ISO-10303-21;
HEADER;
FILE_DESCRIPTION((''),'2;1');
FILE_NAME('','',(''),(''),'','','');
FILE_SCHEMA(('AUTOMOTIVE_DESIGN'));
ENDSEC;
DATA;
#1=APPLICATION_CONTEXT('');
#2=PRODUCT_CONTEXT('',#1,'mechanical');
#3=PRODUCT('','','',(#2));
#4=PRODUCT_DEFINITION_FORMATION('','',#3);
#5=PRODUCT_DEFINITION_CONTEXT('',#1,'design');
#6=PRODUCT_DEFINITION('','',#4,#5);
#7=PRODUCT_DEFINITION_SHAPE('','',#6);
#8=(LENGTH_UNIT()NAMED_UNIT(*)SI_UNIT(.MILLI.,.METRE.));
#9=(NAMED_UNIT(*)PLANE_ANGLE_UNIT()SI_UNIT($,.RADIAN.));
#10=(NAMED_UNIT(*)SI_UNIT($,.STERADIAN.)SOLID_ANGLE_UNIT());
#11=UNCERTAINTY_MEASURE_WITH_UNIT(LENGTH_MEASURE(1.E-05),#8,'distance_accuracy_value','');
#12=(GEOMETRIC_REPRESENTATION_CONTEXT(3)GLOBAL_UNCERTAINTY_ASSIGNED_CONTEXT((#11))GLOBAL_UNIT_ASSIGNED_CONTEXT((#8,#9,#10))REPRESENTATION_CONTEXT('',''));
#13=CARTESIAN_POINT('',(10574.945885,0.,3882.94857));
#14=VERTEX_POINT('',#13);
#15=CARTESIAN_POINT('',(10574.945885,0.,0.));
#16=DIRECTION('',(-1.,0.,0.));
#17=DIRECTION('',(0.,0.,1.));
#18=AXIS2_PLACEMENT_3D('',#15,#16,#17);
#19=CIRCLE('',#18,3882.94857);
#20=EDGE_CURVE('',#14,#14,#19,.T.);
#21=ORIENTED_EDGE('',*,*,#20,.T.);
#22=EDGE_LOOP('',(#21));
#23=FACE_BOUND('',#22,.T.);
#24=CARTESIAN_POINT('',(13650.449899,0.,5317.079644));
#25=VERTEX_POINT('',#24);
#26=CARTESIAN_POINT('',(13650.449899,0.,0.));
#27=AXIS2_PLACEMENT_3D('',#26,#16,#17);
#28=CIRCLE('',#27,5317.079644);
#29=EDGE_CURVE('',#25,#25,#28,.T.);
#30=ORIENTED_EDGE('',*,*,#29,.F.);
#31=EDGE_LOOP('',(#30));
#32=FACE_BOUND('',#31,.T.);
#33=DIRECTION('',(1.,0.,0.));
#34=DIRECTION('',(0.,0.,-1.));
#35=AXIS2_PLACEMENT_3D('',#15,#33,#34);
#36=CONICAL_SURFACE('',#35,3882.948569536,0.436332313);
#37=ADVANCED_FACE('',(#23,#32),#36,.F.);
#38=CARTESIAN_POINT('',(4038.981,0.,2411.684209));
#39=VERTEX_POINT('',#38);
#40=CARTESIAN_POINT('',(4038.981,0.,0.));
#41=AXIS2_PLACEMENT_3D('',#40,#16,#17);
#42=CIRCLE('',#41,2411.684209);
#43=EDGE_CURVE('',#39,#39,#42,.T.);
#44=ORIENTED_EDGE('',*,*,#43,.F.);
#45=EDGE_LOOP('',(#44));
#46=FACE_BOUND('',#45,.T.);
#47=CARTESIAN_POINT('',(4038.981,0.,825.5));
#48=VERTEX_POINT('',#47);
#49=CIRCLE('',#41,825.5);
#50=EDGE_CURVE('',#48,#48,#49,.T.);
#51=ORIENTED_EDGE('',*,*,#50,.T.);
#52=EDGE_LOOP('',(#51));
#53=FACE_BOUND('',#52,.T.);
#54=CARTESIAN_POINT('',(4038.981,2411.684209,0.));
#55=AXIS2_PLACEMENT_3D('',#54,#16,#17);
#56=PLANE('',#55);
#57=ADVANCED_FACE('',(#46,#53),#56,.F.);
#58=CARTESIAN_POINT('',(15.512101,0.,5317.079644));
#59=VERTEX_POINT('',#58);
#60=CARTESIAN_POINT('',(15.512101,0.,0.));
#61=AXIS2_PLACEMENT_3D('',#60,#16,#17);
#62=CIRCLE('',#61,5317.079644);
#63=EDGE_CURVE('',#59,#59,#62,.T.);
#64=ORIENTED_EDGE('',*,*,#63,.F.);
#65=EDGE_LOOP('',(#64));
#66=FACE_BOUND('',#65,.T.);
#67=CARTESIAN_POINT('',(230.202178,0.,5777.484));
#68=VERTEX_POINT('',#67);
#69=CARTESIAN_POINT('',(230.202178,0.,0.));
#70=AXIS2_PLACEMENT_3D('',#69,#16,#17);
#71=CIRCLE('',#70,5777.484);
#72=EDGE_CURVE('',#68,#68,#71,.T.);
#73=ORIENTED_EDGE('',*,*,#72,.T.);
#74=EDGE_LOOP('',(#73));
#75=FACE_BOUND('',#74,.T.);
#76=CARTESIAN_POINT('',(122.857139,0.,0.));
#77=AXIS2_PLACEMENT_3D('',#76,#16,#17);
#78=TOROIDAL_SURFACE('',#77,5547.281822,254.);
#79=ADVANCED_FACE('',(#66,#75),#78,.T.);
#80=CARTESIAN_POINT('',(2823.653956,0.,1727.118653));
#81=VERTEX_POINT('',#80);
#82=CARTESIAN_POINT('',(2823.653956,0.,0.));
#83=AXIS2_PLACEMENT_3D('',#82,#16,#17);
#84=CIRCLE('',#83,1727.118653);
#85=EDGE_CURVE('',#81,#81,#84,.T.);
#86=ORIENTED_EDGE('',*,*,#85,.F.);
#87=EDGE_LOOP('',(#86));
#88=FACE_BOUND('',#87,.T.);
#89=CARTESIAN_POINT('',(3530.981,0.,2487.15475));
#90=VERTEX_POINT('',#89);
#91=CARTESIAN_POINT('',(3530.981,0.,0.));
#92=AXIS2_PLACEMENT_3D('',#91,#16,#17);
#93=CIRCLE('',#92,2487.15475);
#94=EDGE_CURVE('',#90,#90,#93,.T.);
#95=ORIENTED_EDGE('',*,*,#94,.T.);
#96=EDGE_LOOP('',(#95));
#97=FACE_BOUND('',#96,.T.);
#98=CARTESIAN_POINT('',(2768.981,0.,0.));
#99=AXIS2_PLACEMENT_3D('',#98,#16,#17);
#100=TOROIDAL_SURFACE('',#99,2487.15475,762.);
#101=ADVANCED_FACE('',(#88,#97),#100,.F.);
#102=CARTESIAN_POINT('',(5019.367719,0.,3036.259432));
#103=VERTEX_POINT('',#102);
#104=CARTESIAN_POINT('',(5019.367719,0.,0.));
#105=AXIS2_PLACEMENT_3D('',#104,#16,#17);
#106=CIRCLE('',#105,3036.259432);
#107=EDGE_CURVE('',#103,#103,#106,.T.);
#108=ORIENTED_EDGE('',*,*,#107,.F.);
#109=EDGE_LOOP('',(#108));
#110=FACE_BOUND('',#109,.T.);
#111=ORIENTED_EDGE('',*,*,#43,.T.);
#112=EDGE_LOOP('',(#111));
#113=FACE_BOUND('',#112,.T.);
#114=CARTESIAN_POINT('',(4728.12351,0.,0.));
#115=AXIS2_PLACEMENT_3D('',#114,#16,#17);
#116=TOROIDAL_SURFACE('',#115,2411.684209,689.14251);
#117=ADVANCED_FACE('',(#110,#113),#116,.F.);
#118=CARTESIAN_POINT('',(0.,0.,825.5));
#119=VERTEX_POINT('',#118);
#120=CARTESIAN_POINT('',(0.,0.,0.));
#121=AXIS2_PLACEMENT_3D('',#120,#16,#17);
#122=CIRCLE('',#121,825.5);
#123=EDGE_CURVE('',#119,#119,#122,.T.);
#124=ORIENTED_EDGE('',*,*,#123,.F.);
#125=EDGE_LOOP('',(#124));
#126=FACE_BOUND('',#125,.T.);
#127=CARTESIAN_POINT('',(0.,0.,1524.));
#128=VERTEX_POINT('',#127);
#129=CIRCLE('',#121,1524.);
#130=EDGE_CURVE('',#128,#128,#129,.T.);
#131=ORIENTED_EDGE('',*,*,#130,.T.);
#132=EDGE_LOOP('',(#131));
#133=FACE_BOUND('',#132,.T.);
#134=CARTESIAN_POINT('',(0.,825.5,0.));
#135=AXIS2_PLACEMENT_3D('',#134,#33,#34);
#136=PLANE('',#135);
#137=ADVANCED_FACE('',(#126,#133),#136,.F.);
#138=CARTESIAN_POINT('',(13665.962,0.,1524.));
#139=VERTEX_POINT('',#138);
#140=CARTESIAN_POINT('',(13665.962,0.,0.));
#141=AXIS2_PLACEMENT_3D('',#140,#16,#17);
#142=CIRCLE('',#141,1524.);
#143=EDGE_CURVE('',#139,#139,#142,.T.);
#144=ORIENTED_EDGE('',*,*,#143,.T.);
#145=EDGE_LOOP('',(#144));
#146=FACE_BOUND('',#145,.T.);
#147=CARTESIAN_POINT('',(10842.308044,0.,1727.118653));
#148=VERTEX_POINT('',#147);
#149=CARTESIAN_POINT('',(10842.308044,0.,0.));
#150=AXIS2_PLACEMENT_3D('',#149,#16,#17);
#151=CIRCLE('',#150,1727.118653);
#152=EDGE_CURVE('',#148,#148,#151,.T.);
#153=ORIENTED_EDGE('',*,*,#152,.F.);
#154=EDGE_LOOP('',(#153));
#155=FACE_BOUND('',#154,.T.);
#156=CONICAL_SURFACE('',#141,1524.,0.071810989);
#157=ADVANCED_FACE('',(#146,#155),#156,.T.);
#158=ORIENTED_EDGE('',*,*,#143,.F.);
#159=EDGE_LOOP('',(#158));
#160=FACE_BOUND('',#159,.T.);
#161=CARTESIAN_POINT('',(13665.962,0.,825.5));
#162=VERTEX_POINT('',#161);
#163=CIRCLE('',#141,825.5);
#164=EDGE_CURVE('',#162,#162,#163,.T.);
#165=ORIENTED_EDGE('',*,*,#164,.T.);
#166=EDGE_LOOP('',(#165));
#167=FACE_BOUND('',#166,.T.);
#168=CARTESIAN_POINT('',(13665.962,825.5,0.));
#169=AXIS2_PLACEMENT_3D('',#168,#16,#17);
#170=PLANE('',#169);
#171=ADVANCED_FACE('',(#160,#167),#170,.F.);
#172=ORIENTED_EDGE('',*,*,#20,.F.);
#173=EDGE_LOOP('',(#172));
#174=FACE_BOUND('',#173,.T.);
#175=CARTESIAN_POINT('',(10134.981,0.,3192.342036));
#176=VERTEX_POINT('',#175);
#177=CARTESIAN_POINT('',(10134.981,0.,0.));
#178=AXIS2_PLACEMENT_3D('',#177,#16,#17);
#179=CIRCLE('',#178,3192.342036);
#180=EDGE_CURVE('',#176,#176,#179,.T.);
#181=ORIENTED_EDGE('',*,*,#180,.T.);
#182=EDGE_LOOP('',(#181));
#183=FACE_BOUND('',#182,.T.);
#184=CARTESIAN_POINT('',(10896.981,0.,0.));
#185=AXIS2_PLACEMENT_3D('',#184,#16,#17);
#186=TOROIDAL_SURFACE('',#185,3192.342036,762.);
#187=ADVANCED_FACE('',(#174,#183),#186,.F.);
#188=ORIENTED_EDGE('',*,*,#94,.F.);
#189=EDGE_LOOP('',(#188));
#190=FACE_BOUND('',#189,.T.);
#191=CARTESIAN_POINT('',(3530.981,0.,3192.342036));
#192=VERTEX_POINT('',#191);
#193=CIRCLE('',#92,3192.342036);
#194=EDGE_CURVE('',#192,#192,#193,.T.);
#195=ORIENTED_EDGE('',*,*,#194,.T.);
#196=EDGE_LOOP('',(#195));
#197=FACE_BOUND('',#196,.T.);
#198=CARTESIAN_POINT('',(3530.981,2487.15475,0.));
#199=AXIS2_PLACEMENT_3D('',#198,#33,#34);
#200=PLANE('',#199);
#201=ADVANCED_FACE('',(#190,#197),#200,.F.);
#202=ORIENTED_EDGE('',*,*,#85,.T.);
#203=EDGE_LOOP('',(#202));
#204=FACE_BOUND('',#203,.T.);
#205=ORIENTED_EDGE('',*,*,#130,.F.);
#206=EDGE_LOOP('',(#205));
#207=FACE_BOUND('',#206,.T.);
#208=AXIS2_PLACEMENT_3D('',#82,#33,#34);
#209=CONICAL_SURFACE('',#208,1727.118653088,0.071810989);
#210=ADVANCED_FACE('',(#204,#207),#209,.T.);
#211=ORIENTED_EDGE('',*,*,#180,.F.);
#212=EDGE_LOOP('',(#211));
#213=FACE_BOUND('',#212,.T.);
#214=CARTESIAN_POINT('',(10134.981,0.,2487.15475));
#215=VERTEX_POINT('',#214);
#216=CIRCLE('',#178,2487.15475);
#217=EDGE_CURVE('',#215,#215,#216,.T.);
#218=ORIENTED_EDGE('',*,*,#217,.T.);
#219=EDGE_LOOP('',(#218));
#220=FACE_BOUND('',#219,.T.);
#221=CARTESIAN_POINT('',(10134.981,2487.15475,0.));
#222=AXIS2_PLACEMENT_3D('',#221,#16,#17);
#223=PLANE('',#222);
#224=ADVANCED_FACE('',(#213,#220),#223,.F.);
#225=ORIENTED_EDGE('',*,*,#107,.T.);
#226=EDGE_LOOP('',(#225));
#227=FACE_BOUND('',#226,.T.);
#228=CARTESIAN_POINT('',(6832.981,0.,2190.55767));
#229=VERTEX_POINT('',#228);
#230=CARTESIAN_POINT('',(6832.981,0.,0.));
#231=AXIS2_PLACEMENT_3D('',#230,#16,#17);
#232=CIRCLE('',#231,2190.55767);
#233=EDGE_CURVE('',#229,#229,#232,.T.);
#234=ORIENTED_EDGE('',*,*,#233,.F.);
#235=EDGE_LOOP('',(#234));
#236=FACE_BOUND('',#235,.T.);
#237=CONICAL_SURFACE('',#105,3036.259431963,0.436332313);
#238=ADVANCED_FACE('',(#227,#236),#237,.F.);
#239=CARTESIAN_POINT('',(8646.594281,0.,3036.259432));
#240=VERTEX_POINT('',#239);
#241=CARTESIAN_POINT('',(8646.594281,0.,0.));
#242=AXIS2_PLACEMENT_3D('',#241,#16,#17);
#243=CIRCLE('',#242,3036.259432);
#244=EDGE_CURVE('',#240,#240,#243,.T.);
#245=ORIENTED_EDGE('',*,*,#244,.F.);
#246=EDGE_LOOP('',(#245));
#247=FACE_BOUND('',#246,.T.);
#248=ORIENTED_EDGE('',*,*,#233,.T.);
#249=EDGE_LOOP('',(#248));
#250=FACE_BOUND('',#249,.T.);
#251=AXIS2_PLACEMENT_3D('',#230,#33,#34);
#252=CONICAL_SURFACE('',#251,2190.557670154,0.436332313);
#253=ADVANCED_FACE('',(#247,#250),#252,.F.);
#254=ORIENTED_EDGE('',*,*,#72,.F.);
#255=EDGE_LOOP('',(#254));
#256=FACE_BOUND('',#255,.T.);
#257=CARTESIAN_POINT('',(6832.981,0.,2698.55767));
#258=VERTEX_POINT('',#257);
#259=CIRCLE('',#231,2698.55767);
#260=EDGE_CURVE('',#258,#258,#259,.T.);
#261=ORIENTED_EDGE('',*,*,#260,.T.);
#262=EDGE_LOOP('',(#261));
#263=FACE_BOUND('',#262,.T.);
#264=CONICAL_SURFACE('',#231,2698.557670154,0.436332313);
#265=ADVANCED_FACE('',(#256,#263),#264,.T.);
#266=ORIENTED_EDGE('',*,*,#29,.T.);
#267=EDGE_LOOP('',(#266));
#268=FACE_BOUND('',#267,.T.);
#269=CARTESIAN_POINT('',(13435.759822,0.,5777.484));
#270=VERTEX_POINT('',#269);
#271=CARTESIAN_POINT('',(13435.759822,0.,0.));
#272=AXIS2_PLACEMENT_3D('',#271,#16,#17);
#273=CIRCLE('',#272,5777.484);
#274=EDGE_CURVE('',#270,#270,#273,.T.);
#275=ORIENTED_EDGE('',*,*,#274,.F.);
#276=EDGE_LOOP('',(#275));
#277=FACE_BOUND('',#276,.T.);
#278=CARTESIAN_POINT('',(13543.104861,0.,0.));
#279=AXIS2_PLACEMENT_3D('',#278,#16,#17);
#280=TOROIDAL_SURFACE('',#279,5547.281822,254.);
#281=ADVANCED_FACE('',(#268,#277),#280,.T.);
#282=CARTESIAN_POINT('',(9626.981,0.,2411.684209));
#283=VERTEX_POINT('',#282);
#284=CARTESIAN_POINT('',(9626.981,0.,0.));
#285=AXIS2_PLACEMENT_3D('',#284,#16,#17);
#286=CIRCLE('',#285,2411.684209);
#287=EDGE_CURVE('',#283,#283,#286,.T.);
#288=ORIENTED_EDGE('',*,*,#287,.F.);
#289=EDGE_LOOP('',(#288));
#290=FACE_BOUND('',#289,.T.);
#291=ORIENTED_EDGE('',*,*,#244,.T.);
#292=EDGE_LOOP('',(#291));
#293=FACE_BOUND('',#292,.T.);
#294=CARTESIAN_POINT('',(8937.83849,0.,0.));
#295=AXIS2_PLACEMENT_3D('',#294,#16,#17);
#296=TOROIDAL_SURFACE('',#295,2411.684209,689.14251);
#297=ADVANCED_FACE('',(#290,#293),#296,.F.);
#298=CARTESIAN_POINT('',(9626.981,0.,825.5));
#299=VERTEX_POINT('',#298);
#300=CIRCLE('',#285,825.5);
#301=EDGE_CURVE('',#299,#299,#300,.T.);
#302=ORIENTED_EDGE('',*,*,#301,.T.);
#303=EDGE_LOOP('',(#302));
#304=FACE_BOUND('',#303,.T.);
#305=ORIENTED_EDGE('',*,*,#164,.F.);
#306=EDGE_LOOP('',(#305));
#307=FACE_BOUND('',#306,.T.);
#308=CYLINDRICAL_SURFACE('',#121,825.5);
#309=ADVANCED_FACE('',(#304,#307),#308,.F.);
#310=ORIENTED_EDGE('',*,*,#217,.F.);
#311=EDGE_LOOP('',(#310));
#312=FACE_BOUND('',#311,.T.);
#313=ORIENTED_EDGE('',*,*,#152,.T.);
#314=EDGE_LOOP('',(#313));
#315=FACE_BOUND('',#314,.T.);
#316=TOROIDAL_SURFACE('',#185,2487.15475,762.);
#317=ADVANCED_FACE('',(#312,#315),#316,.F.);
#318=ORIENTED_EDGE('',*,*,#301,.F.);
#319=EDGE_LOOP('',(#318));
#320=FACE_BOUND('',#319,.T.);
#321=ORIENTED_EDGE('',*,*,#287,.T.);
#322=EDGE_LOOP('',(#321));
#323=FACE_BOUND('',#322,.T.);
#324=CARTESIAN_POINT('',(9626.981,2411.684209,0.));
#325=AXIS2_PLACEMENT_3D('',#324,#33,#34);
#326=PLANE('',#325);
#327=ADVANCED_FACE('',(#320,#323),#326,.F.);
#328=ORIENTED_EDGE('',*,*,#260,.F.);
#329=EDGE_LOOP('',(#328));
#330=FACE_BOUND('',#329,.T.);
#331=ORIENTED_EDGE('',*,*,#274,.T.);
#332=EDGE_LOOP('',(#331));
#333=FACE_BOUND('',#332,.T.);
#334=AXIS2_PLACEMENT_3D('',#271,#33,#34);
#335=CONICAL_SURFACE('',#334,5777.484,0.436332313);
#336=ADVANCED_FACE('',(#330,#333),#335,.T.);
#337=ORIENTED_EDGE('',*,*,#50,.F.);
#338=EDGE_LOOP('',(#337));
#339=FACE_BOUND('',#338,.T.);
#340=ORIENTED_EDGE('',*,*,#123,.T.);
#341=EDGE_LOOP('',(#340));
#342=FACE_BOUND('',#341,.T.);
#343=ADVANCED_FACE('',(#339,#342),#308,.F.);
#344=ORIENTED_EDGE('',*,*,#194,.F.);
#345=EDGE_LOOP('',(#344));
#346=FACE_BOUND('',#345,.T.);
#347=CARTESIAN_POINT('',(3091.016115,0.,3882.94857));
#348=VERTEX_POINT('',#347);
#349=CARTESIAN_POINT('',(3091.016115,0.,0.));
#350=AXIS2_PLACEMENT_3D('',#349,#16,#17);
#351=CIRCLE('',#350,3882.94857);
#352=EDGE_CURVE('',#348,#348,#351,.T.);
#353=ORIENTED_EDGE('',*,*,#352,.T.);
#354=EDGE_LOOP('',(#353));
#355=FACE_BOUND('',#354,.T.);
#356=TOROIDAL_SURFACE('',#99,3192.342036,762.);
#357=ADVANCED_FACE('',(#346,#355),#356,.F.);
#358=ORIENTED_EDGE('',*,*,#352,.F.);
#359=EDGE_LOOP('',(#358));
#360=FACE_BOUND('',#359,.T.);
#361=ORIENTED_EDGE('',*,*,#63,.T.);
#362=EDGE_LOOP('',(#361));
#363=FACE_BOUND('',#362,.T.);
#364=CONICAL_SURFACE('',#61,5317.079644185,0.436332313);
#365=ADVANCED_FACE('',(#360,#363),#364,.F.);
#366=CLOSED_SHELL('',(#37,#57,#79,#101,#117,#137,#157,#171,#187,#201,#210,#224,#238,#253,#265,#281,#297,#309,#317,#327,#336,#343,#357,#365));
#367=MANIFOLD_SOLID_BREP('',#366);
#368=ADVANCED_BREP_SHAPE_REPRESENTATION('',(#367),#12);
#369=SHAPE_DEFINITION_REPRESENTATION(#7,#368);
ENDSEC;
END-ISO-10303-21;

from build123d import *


with BuildPart() as part:
    # Sketch1 → Revolve2 (revolve)
    with BuildSketch(Plane.XY, mode=Mode.PRIVATE) as revolve2_sk:
        with BuildLine():
            Line((13665.962, 825.5), (13665.962, 1524))
            Line((13665.962, 1524), (10842.3080441, 1727.118653088))
            ThreePointArc((10842.3080441, 1727.118653088), (10339.170641367, 1968.028942231), (10134.981, 2487.154749529))
            Line((10134.981, 2487.154749529), (10134.981, 3192.342035814))
            ThreePointArc((10134.981, 3192.342035814), (10254.316718291, 3601.764337374), (10574.945884554, 3882.948569536))
            Line((10574.945884554, 3882.948569536), (13650.449899057, 5317.079644185))
            ThreePointArc((13650.449899057, 5317.079644185), (13773.307038482, 5654.626860575), (13435.759822093, 5777.484))
            Line((13435.759822093, 5777.484), (6832.981, 2698.557670153))
            Line((6832.981, 2698.557670153), (230.202177908, 5777.484))
            ThreePointArc((230.202177908, 5777.484), (-107.345038482, 5654.626860575), (15.512100943, 5317.079644185))
            Line((15.512100943, 5317.079644185), (3091.016115446, 3882.948569536))
            ThreePointArc((3091.016115446, 3882.948569536), (3411.645281709, 3601.764337374), (3530.981, 3192.342035814))
            Line((3530.981, 3192.342035814), (3530.981, 2487.154749529))
            ThreePointArc((3530.981, 2487.154749529), (3326.791358633, 1968.028942231), (2823.6539559, 1727.118653088))
            Line((2823.6539559, 1727.118653088), (0, 1524))
            Line((0, 1524), (0, 825.5))
            Line((0, 825.5), (3530.981, 825.5))
            Line((3530.981, 825.5), (4038.981, 825.5))
            Line((4038.981, 825.5), (4038.981, 2411.684209125))
            ThreePointArc((4038.981, 2411.684209125), (4357.847509102, 2992.901106677), (5019.367719115, 3036.259431963))
            Line((5019.367719115, 3036.259431963), (6832.981, 2190.557670154))
            Line((6832.981, 2190.557670154), (8646.594280885, 3036.259431963))
            ThreePointArc((8646.594280885, 3036.259431963), (9308.114490898, 2992.901106677), (9626.981, 2411.684209125))
            Line((9626.981, 2411.684209125), (9626.981, 825.5))
            Line((9626.981, 825.5), (10134.981, 825.5))
            Line((10134.981, 825.5), (13665.962, 825.5))
        make_face()
    revolve(revolve2_sk.sketch.rotate(Axis((0, 0, 0), (1, 0, 0)), 90), axis=Axis((0, 0, 0), (1, 0, 0)))


solid = part.part
